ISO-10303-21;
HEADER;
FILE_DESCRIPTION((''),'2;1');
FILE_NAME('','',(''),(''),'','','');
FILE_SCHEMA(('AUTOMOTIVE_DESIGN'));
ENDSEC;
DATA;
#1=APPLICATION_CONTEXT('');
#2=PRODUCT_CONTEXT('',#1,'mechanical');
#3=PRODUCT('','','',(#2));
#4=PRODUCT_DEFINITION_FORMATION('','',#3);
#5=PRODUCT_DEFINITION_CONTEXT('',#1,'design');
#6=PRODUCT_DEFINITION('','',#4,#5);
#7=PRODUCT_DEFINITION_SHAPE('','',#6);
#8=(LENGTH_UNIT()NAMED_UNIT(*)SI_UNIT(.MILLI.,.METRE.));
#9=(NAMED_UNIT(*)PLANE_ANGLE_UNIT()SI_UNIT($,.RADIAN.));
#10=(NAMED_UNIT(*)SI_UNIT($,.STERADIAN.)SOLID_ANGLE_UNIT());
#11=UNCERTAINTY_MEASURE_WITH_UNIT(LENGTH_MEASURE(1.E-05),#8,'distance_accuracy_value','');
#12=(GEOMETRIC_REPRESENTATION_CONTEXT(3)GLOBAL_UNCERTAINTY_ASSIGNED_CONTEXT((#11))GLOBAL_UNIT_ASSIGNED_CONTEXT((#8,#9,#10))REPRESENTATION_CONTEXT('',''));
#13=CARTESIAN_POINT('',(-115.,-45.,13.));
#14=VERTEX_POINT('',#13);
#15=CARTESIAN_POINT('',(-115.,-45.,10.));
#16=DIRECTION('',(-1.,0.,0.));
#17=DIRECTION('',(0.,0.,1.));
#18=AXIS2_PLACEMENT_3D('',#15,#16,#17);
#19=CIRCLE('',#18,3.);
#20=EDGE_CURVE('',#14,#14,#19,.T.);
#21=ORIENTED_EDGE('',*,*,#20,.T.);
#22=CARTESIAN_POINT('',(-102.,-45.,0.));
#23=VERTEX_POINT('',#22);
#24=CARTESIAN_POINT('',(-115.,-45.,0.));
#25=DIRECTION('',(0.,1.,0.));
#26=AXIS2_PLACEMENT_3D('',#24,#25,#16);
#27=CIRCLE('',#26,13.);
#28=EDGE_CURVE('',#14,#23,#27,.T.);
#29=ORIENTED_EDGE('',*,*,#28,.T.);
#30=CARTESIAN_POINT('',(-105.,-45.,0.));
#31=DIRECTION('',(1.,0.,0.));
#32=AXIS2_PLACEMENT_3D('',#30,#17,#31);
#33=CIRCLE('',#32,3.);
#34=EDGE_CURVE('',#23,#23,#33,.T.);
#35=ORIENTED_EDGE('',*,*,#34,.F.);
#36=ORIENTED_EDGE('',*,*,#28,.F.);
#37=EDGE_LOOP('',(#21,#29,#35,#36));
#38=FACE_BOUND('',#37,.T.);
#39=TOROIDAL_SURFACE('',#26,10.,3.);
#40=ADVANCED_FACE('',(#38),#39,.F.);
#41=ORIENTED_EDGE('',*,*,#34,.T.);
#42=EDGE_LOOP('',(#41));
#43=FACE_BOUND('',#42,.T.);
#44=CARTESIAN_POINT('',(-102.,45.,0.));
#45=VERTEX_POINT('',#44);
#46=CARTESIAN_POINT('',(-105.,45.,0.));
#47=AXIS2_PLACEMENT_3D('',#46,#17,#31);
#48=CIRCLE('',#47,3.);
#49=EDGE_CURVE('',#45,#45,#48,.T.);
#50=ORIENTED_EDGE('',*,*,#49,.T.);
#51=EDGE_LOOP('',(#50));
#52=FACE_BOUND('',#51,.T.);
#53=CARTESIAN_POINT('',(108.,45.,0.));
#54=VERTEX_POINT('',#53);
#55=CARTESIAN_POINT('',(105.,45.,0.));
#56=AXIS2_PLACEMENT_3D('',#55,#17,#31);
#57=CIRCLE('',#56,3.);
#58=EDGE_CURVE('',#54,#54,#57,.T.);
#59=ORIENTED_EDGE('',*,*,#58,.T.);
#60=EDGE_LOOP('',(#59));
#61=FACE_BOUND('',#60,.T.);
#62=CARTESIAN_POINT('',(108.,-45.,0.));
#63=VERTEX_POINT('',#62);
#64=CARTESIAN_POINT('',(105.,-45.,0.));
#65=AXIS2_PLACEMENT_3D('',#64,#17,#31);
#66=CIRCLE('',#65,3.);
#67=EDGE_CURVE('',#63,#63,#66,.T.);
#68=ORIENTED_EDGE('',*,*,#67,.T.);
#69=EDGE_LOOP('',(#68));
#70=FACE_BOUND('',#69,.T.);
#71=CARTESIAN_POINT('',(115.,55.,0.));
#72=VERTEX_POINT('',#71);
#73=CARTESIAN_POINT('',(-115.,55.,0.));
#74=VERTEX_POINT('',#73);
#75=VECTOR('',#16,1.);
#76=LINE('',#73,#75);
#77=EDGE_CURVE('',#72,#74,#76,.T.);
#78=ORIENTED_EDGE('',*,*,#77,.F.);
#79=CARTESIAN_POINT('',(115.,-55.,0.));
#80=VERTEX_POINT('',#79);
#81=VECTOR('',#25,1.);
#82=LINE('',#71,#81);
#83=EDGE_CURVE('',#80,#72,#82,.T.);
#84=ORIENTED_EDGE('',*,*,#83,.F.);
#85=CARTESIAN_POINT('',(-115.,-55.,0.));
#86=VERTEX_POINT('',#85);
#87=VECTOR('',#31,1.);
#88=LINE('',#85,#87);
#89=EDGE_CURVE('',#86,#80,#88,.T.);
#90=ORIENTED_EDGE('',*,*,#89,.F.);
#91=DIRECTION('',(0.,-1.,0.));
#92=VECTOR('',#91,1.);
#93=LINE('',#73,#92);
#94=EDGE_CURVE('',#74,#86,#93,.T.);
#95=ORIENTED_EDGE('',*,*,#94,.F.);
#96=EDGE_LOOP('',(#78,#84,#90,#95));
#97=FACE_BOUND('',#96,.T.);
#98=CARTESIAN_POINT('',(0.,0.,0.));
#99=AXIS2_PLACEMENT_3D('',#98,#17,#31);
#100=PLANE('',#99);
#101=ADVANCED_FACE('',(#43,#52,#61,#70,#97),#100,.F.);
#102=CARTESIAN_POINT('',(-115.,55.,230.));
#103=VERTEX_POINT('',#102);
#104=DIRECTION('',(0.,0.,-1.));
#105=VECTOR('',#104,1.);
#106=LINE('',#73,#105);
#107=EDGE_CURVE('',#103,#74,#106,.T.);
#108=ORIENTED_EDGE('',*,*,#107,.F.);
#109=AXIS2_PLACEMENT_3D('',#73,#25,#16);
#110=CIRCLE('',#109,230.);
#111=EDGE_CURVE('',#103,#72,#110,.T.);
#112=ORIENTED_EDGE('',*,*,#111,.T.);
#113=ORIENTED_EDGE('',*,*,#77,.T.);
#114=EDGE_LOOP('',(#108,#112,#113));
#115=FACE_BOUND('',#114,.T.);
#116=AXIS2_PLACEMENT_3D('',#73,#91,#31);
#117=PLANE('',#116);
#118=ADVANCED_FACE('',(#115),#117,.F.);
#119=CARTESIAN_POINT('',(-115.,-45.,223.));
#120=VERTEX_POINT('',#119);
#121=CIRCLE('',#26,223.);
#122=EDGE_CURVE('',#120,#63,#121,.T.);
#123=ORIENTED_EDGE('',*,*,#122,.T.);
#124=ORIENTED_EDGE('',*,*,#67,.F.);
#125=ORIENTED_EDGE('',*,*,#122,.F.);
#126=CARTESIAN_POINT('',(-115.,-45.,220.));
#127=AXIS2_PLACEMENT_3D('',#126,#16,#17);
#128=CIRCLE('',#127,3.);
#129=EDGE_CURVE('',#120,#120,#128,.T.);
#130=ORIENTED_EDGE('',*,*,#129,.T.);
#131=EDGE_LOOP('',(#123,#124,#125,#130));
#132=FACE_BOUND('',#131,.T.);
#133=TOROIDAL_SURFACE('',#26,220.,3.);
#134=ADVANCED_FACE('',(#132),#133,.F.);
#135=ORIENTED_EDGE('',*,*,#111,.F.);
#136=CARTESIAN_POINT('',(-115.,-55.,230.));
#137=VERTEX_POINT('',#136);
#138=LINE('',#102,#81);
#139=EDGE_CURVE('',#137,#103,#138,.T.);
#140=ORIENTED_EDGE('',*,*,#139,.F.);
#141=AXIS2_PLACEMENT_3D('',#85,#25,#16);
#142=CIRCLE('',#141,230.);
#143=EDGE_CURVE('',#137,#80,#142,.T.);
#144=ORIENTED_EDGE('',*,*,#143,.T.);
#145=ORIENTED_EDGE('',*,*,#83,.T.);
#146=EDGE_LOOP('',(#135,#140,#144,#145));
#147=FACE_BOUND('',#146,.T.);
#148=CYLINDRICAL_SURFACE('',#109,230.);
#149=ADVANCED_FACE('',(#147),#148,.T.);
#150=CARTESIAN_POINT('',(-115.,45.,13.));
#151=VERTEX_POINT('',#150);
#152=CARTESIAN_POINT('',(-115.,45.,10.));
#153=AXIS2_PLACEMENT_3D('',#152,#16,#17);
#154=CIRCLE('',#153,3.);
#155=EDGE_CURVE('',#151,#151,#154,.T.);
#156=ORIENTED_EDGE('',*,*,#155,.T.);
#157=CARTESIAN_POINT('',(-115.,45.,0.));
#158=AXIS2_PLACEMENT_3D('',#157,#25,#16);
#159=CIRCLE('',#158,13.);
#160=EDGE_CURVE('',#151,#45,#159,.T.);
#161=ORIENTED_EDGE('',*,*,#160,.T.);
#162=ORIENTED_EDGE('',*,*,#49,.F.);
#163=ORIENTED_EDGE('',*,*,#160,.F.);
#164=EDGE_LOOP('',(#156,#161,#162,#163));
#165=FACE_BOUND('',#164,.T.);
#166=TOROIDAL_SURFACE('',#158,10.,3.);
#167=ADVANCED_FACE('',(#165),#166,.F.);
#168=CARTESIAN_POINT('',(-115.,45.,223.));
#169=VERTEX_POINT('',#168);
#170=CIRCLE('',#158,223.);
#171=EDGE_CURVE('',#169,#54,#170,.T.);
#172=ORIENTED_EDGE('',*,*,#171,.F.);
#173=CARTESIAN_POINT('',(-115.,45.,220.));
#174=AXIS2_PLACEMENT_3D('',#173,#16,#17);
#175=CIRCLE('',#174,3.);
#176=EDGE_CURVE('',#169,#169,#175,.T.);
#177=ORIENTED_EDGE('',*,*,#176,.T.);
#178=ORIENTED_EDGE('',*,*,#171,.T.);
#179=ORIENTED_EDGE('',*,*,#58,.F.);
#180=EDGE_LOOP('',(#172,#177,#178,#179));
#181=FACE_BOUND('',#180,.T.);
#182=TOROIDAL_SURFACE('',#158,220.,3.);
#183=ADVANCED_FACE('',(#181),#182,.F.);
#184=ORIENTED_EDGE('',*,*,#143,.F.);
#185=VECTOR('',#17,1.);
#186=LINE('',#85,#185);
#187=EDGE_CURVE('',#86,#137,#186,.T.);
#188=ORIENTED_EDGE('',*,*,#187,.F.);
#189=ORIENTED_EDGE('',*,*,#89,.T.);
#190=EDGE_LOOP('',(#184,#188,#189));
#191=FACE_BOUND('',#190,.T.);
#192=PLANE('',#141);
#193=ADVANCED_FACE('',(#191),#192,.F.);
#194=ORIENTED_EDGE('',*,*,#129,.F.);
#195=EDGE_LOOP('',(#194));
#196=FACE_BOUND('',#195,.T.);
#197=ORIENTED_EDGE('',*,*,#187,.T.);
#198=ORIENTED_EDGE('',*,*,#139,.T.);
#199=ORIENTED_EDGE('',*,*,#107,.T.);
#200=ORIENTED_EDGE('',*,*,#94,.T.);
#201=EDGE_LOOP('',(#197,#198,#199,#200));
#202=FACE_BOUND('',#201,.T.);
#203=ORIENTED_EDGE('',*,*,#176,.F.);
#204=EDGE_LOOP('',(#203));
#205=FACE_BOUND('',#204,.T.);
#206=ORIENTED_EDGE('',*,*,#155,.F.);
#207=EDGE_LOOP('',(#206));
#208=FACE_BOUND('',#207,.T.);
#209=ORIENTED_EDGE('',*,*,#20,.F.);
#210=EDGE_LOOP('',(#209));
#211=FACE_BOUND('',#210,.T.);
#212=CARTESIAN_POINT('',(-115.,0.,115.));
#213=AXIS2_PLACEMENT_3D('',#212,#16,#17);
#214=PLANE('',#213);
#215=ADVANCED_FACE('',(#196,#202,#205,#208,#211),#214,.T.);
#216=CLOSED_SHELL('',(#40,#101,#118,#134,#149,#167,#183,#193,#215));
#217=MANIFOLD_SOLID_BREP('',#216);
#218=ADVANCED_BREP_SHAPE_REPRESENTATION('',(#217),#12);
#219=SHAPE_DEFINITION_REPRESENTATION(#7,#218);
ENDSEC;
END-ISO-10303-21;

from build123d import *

# Parameters (mm, degrees)
SKETCH_1_W      = 230
SKETCH_1_H      = 110
SKETCH_1_R      = 3
REVOLVE_1_ANGLE = 90


with BuildPart() as part:
    # 草图1 → 旋转1 (revolve)
    with BuildSketch(Plane.XY):
        Rectangle(SKETCH_1_W, SKETCH_1_H)
        with Locations((-105, 45)):
            Circle(SKETCH_1_R, mode=Mode.SUBTRACT)
        with Locations((-105, -45)):
            Circle(SKETCH_1_R, mode=Mode.SUBTRACT)
        with Locations((105, -45)):
            Circle(SKETCH_1_R, mode=Mode.SUBTRACT)
        with Locations((105, 45)):
            Circle(SKETCH_1_R, mode=Mode.SUBTRACT)
    revolve(axis=Axis((-115, 55, 0), (0, -1, 0)), revolution_arc=REVOLVE_1_ANGLE)


solid = part.part
